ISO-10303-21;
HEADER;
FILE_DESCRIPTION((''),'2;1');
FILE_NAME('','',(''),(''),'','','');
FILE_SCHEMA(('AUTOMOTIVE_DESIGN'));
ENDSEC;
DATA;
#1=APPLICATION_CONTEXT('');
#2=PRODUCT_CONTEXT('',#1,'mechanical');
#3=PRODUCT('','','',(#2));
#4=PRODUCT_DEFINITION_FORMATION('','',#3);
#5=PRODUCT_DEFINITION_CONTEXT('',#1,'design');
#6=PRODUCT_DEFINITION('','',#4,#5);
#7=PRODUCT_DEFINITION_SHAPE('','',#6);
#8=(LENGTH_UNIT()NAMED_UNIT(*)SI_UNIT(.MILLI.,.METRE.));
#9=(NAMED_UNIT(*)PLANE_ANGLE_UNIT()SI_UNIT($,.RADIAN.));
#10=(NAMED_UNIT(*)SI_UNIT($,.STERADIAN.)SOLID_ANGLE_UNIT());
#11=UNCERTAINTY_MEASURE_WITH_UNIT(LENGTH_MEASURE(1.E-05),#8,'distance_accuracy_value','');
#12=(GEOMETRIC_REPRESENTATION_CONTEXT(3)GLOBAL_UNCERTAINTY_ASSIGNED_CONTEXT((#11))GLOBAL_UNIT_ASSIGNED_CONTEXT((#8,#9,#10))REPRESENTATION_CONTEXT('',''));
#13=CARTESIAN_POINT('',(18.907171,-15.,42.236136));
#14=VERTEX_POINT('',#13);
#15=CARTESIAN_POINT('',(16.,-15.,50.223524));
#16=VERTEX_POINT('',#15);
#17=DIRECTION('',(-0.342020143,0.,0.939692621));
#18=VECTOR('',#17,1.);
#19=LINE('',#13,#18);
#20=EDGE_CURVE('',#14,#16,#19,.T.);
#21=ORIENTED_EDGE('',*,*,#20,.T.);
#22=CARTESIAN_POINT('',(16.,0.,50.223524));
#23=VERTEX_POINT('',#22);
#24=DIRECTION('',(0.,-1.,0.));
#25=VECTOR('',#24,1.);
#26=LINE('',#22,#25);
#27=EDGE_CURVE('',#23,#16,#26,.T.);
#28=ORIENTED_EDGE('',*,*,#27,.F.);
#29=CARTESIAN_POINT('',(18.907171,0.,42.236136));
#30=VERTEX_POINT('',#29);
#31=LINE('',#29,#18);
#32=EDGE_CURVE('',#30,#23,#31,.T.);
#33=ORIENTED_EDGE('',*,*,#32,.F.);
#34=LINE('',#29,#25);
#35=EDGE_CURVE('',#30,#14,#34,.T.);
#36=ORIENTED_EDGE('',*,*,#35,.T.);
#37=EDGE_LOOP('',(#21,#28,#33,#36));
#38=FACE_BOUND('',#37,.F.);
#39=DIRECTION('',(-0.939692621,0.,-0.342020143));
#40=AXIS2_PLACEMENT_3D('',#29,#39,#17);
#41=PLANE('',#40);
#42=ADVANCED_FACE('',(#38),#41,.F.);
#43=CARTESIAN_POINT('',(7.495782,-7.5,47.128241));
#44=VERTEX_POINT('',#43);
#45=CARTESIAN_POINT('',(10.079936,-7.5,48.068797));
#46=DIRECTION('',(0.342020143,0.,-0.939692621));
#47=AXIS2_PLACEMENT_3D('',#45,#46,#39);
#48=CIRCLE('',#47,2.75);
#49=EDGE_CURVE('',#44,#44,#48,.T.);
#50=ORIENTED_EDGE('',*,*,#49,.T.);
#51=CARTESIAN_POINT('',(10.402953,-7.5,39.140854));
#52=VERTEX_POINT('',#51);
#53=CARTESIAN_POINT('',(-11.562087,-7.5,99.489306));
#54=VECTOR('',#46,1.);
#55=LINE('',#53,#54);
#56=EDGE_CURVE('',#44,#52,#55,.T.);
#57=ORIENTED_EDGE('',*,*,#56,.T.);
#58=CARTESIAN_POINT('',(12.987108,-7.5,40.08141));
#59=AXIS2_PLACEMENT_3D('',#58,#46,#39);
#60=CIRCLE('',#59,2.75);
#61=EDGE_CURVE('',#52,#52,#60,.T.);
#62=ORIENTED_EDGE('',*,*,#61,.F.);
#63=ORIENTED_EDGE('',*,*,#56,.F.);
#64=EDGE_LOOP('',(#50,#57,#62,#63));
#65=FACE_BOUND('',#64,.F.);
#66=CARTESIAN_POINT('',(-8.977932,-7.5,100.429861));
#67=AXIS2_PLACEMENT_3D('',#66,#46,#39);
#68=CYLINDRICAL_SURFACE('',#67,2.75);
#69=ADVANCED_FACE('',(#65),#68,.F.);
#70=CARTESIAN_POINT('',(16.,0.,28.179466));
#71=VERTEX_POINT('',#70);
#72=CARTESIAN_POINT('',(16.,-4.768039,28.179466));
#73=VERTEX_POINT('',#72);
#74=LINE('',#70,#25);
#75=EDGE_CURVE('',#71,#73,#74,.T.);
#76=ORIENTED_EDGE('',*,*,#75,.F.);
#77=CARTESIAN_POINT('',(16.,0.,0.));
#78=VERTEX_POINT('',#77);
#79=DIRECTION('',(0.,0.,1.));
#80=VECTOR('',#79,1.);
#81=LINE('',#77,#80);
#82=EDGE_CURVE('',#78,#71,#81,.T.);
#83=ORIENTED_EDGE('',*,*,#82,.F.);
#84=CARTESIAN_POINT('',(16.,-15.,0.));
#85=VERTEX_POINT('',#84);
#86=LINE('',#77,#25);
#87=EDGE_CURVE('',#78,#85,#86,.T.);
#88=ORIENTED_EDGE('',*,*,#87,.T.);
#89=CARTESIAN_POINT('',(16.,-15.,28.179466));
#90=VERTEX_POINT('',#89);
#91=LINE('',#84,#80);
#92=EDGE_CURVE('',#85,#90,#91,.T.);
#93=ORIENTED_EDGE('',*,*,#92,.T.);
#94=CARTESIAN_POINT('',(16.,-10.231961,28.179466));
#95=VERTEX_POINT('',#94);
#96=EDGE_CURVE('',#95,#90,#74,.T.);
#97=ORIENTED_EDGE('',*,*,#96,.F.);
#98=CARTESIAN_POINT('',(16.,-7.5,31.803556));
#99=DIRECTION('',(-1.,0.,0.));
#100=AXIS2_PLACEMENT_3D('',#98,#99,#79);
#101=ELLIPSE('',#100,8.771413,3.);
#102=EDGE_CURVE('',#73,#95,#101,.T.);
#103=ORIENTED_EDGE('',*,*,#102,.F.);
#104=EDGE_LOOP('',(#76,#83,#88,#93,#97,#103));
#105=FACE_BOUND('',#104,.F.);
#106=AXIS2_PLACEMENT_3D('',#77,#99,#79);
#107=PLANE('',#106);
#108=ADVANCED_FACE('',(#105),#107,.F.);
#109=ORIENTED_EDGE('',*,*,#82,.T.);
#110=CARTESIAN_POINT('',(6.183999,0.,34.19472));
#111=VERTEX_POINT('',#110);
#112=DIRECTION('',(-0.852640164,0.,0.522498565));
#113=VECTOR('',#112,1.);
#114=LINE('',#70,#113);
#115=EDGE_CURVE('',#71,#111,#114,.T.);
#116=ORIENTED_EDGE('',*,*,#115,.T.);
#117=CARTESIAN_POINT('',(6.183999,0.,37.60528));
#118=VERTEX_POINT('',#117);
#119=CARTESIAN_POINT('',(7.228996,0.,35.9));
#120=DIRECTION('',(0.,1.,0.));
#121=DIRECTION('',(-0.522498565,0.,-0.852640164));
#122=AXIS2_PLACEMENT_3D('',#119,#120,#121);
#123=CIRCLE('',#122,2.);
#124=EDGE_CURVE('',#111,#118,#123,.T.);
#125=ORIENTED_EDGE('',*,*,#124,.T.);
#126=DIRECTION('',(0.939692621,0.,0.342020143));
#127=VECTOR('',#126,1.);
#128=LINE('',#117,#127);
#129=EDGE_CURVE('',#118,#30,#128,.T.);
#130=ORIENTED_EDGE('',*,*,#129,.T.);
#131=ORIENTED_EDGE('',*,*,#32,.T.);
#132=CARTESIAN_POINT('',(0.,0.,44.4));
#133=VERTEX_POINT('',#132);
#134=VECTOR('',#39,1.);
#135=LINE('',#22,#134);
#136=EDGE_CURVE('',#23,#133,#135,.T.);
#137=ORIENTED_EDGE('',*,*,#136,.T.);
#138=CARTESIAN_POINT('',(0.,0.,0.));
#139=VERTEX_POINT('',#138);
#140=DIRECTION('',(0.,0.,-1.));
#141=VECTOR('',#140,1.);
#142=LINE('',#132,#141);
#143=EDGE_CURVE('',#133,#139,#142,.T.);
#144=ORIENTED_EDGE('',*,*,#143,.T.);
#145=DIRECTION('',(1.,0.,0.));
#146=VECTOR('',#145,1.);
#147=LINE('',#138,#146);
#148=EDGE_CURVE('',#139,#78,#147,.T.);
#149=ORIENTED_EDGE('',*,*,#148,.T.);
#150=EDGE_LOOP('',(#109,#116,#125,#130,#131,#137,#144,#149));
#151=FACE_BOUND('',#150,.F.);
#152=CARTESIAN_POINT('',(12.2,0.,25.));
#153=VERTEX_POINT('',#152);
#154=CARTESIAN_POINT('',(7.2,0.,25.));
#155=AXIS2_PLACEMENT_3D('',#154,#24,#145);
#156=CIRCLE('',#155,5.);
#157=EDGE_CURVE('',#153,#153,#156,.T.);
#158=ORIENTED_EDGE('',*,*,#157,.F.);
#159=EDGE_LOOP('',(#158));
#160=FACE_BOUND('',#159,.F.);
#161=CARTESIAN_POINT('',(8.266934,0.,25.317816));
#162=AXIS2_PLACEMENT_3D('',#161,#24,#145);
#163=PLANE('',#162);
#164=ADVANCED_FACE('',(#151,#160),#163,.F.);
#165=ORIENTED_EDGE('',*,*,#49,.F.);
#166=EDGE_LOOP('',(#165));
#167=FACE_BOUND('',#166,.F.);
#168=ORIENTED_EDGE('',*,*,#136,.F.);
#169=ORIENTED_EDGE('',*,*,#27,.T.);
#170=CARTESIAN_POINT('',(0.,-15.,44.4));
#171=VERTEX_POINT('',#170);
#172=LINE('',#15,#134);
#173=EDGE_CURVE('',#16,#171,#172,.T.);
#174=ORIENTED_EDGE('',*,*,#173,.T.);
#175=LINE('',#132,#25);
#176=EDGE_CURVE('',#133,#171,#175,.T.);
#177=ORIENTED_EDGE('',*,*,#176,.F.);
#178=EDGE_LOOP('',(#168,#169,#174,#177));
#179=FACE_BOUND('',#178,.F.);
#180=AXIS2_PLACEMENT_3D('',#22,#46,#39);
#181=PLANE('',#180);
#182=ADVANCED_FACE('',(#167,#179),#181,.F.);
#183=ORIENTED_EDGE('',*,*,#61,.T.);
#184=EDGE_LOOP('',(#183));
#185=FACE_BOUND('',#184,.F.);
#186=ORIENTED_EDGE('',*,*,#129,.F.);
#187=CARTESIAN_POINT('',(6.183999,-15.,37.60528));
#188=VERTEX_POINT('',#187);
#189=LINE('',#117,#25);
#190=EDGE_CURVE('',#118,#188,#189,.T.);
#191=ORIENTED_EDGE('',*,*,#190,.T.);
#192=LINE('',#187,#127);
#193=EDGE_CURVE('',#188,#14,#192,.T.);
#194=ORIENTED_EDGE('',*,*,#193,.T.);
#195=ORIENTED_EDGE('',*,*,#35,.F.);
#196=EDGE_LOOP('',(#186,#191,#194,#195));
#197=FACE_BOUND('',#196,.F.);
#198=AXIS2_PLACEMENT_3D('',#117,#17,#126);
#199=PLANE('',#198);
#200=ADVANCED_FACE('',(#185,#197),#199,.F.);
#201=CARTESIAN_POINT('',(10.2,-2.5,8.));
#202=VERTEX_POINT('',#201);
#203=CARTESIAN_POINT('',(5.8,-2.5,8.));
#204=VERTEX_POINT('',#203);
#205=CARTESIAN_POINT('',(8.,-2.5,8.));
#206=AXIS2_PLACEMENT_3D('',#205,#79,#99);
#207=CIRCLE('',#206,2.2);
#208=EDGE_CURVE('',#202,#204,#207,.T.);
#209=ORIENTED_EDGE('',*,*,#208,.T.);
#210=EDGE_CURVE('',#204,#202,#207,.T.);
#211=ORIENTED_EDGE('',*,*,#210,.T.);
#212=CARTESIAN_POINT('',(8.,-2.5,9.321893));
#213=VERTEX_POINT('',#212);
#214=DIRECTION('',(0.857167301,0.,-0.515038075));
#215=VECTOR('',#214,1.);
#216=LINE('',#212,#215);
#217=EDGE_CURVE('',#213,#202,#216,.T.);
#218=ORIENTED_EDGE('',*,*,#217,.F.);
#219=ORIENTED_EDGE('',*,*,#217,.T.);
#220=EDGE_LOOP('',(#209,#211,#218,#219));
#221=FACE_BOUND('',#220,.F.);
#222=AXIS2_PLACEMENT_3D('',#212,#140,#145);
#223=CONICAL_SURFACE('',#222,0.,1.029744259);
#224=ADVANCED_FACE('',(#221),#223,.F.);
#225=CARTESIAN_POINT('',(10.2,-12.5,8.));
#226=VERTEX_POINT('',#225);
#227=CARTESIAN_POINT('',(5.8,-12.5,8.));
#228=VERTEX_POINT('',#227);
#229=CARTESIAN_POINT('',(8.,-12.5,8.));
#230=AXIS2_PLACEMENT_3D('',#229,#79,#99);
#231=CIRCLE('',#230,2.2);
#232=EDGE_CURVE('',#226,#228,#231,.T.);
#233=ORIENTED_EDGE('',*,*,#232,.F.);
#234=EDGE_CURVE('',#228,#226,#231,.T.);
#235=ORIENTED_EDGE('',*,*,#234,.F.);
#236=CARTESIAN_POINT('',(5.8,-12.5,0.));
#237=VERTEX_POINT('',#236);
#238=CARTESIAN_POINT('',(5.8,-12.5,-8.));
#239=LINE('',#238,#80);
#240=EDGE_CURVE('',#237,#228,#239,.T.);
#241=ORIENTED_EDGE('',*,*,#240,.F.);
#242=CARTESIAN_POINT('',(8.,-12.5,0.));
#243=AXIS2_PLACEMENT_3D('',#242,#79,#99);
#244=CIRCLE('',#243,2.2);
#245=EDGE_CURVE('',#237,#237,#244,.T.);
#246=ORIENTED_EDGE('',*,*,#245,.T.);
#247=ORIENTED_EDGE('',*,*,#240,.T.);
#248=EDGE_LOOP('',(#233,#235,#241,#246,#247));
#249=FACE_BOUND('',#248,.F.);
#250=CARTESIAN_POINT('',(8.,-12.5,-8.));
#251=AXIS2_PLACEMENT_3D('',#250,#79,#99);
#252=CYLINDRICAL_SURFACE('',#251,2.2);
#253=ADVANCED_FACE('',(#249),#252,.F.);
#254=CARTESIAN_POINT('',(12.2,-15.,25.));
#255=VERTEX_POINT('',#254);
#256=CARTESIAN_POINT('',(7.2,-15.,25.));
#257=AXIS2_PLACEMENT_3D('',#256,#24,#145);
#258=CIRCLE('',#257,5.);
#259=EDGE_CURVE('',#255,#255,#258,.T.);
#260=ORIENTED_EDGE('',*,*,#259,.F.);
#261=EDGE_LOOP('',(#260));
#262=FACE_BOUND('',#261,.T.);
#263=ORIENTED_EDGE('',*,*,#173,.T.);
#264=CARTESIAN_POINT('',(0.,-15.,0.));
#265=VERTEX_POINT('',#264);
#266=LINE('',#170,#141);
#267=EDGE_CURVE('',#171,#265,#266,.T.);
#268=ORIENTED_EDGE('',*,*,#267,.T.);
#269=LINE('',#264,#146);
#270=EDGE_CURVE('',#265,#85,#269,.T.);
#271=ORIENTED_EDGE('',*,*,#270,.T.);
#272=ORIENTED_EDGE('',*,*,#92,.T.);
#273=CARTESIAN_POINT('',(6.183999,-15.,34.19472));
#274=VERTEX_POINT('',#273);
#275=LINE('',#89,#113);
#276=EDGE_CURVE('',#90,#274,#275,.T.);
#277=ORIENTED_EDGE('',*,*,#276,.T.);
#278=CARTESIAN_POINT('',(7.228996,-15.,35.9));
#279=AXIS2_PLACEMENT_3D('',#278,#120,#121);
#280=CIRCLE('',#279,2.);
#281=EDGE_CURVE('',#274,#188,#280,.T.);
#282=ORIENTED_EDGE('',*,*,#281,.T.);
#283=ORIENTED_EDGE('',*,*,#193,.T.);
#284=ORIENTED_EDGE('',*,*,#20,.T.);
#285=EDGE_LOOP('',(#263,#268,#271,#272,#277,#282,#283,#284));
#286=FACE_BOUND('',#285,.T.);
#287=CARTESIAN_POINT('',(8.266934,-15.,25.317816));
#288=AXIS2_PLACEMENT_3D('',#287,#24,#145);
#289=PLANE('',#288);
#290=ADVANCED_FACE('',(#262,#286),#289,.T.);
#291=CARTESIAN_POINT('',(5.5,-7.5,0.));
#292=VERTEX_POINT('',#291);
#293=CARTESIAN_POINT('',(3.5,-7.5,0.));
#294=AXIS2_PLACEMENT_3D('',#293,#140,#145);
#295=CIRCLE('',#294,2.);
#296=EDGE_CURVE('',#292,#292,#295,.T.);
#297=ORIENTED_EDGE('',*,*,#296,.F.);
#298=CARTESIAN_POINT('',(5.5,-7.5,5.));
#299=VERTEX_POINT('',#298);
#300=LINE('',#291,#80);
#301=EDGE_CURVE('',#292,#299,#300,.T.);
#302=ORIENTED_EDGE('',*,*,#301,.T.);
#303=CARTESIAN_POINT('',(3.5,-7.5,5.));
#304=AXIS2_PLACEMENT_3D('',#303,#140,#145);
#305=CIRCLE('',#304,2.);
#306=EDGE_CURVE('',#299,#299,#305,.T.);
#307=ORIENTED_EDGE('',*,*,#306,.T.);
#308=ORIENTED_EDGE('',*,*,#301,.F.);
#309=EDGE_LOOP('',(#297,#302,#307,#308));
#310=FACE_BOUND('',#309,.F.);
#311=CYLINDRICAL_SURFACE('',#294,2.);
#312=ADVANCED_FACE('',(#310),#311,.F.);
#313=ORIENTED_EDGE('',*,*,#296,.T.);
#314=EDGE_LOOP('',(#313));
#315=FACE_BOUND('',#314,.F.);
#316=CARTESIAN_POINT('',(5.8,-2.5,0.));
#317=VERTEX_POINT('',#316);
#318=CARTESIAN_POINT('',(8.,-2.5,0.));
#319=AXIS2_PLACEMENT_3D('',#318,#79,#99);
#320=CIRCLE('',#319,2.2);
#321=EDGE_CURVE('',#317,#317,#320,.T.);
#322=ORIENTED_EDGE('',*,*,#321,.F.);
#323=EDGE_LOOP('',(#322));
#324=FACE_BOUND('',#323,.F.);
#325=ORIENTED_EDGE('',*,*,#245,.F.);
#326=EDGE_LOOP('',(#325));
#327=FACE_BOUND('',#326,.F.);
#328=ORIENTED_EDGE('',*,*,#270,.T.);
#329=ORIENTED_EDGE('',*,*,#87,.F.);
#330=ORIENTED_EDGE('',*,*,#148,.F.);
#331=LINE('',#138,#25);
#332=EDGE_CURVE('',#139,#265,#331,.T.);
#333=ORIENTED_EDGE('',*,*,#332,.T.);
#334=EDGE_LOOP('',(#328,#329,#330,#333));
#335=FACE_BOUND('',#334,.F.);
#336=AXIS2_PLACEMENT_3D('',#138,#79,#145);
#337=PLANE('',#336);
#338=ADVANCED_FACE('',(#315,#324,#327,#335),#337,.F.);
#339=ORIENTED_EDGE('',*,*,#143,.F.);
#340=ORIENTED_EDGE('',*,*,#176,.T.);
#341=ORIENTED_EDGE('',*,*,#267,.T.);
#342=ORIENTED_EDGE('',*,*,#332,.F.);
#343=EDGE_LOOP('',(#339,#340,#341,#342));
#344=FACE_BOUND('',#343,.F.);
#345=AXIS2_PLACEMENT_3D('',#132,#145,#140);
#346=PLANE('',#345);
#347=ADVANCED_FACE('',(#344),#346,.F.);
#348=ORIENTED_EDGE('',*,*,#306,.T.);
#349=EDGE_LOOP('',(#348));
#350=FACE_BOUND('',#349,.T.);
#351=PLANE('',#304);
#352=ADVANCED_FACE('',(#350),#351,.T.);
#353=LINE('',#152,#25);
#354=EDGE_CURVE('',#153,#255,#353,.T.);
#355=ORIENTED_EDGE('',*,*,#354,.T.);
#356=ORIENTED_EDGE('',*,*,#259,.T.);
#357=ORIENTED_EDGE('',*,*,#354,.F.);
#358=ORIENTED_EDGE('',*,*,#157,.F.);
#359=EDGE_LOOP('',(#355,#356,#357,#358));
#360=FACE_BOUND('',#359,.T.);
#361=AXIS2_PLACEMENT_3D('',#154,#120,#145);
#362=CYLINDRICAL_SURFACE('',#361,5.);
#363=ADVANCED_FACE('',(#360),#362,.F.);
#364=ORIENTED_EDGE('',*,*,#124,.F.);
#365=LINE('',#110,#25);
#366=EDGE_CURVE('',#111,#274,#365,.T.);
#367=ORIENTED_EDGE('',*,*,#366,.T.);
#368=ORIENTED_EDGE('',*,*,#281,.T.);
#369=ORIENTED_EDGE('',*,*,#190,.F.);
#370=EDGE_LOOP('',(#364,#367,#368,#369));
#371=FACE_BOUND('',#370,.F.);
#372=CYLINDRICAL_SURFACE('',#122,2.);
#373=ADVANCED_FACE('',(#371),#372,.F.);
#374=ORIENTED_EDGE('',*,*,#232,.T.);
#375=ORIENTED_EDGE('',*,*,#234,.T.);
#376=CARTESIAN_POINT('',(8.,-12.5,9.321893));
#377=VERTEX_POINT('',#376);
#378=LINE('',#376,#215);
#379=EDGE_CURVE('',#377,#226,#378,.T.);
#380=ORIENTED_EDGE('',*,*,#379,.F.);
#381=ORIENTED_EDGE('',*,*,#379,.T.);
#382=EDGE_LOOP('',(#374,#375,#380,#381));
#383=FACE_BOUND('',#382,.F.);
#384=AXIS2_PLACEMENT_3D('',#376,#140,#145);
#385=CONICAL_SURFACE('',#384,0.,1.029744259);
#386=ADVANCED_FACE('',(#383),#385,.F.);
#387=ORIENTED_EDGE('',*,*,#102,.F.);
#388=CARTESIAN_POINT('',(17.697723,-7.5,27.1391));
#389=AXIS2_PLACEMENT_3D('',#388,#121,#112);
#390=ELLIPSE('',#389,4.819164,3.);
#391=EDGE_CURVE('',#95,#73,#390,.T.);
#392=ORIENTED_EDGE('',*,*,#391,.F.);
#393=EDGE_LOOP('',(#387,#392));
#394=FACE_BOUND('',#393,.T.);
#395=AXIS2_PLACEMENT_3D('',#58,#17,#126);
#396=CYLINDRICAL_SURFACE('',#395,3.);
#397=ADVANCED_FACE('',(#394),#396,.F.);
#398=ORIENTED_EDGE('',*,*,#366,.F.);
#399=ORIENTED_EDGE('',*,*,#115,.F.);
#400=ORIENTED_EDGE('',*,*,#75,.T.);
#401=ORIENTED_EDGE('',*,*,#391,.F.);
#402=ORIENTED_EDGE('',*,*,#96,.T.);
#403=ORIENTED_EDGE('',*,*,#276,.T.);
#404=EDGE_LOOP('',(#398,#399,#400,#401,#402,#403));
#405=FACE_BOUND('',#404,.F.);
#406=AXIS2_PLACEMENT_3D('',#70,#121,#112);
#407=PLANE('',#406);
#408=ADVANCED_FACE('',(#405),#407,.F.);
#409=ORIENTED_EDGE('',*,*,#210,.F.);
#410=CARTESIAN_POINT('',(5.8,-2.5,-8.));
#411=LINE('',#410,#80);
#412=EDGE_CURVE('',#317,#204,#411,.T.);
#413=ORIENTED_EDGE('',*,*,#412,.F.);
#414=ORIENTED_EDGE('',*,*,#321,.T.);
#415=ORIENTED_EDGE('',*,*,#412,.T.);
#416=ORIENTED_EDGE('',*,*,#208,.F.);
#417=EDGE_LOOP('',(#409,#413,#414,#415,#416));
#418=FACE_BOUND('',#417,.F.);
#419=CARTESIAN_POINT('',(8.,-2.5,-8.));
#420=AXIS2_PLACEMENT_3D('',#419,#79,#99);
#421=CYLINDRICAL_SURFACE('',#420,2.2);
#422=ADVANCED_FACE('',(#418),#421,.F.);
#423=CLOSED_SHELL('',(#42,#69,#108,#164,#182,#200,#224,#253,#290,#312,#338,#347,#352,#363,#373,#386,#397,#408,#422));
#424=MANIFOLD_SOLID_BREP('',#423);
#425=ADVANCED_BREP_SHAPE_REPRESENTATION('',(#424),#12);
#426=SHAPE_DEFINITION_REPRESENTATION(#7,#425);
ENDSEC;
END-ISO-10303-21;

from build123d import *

# Parameters (mm, degrees)
F0_R     = 5
F1_DEPTH = 15
F3_D     = 5.5
F4_R     = 2
F5_DEPTH = 5
F6_D     = 4.4
F6_DEPTH = 8
F6_TIP   = 1.3218933619
F7_R     = 3
F8_DEPTH = 25


with BuildPart() as f1:
    # F0 (on Front) → F1 (new body)
    with BuildSketch(Plane.XZ):
        with BuildLine():
            Line((0, 44.4), (0, 0))
            Line((0, 0), (16, 0))
            Line((16, 0), (16, 28.1794662359))
            Line((16, 28.1794662359), (6.183998533, 34.1947196713))
            ThreePointArc((6.183998533, 34.1947196713), (5.2289956624, 35.9), (6.183998533, 37.6052803287))
            Line((6.183998533, 37.6052803287), (18.9071712183, 42.2361364716))
            Line((18.9071712183, 42.2361364716), (16, 50.2235237483))
            Line((16, 50.2235237483), (0, 44.4))
        make_face()
        with Locations((7.2, 25)):
            Circle(F0_R, mode=Mode.SUBTRACT)
    extrude(amount=F1_DEPTH)

    # F3 (through all)
    with Locations(Plane(origin=(-14.269884935, 0, 39.2061866372), x_dir=(0.9396926208, 0, 0.3420201433), z_dir=(-0.3420201433, 0, 0.9396926208))):
        with Locations((25.9125387233, -7.5)):
            Hole(F3_D / 2)

    # F4 (on face) → F5 (cut)
    with BuildSketch(Plane(origin=(0, 0, 0), x_dir=(1, 0, 0), z_dir=(0, 0, -1))):
        with Locations((3.5, 7.5)):
            Circle(F4_R)
    extrude(amount=-F5_DEPTH, mode=Mode.SUBTRACT)

    # F6
    with Locations(Plane(origin=(0, 0, 0), x_dir=(1, 0, 0), z_dir=(0, 0, -1))):
        with Locations((8, 12.5), (8, 2.5)):
            Hole(F6_D / 2, depth=F6_DEPTH)
            with Locations((0, 0, -(F6_DEPTH + F6_TIP / 2))):  # 118° drill point
                Cone(0, F6_D / 2, F6_TIP, mode=Mode.SUBTRACT)

    # F7 (on face) → F8 (cut)
    with BuildSketch(Plane(origin=(-11.3627137168, 0, 31.2187993606), x_dir=(0.9396926208, 0, 0.3420201433), z_dir=(0.3420201433, 0, -0.9396926208))):
        with Locations((25.9125387233, 7.5)):
            Circle(F7_R)
    extrude(amount=F8_DEPTH, mode=Mode.SUBTRACT)


solid = f1.part
